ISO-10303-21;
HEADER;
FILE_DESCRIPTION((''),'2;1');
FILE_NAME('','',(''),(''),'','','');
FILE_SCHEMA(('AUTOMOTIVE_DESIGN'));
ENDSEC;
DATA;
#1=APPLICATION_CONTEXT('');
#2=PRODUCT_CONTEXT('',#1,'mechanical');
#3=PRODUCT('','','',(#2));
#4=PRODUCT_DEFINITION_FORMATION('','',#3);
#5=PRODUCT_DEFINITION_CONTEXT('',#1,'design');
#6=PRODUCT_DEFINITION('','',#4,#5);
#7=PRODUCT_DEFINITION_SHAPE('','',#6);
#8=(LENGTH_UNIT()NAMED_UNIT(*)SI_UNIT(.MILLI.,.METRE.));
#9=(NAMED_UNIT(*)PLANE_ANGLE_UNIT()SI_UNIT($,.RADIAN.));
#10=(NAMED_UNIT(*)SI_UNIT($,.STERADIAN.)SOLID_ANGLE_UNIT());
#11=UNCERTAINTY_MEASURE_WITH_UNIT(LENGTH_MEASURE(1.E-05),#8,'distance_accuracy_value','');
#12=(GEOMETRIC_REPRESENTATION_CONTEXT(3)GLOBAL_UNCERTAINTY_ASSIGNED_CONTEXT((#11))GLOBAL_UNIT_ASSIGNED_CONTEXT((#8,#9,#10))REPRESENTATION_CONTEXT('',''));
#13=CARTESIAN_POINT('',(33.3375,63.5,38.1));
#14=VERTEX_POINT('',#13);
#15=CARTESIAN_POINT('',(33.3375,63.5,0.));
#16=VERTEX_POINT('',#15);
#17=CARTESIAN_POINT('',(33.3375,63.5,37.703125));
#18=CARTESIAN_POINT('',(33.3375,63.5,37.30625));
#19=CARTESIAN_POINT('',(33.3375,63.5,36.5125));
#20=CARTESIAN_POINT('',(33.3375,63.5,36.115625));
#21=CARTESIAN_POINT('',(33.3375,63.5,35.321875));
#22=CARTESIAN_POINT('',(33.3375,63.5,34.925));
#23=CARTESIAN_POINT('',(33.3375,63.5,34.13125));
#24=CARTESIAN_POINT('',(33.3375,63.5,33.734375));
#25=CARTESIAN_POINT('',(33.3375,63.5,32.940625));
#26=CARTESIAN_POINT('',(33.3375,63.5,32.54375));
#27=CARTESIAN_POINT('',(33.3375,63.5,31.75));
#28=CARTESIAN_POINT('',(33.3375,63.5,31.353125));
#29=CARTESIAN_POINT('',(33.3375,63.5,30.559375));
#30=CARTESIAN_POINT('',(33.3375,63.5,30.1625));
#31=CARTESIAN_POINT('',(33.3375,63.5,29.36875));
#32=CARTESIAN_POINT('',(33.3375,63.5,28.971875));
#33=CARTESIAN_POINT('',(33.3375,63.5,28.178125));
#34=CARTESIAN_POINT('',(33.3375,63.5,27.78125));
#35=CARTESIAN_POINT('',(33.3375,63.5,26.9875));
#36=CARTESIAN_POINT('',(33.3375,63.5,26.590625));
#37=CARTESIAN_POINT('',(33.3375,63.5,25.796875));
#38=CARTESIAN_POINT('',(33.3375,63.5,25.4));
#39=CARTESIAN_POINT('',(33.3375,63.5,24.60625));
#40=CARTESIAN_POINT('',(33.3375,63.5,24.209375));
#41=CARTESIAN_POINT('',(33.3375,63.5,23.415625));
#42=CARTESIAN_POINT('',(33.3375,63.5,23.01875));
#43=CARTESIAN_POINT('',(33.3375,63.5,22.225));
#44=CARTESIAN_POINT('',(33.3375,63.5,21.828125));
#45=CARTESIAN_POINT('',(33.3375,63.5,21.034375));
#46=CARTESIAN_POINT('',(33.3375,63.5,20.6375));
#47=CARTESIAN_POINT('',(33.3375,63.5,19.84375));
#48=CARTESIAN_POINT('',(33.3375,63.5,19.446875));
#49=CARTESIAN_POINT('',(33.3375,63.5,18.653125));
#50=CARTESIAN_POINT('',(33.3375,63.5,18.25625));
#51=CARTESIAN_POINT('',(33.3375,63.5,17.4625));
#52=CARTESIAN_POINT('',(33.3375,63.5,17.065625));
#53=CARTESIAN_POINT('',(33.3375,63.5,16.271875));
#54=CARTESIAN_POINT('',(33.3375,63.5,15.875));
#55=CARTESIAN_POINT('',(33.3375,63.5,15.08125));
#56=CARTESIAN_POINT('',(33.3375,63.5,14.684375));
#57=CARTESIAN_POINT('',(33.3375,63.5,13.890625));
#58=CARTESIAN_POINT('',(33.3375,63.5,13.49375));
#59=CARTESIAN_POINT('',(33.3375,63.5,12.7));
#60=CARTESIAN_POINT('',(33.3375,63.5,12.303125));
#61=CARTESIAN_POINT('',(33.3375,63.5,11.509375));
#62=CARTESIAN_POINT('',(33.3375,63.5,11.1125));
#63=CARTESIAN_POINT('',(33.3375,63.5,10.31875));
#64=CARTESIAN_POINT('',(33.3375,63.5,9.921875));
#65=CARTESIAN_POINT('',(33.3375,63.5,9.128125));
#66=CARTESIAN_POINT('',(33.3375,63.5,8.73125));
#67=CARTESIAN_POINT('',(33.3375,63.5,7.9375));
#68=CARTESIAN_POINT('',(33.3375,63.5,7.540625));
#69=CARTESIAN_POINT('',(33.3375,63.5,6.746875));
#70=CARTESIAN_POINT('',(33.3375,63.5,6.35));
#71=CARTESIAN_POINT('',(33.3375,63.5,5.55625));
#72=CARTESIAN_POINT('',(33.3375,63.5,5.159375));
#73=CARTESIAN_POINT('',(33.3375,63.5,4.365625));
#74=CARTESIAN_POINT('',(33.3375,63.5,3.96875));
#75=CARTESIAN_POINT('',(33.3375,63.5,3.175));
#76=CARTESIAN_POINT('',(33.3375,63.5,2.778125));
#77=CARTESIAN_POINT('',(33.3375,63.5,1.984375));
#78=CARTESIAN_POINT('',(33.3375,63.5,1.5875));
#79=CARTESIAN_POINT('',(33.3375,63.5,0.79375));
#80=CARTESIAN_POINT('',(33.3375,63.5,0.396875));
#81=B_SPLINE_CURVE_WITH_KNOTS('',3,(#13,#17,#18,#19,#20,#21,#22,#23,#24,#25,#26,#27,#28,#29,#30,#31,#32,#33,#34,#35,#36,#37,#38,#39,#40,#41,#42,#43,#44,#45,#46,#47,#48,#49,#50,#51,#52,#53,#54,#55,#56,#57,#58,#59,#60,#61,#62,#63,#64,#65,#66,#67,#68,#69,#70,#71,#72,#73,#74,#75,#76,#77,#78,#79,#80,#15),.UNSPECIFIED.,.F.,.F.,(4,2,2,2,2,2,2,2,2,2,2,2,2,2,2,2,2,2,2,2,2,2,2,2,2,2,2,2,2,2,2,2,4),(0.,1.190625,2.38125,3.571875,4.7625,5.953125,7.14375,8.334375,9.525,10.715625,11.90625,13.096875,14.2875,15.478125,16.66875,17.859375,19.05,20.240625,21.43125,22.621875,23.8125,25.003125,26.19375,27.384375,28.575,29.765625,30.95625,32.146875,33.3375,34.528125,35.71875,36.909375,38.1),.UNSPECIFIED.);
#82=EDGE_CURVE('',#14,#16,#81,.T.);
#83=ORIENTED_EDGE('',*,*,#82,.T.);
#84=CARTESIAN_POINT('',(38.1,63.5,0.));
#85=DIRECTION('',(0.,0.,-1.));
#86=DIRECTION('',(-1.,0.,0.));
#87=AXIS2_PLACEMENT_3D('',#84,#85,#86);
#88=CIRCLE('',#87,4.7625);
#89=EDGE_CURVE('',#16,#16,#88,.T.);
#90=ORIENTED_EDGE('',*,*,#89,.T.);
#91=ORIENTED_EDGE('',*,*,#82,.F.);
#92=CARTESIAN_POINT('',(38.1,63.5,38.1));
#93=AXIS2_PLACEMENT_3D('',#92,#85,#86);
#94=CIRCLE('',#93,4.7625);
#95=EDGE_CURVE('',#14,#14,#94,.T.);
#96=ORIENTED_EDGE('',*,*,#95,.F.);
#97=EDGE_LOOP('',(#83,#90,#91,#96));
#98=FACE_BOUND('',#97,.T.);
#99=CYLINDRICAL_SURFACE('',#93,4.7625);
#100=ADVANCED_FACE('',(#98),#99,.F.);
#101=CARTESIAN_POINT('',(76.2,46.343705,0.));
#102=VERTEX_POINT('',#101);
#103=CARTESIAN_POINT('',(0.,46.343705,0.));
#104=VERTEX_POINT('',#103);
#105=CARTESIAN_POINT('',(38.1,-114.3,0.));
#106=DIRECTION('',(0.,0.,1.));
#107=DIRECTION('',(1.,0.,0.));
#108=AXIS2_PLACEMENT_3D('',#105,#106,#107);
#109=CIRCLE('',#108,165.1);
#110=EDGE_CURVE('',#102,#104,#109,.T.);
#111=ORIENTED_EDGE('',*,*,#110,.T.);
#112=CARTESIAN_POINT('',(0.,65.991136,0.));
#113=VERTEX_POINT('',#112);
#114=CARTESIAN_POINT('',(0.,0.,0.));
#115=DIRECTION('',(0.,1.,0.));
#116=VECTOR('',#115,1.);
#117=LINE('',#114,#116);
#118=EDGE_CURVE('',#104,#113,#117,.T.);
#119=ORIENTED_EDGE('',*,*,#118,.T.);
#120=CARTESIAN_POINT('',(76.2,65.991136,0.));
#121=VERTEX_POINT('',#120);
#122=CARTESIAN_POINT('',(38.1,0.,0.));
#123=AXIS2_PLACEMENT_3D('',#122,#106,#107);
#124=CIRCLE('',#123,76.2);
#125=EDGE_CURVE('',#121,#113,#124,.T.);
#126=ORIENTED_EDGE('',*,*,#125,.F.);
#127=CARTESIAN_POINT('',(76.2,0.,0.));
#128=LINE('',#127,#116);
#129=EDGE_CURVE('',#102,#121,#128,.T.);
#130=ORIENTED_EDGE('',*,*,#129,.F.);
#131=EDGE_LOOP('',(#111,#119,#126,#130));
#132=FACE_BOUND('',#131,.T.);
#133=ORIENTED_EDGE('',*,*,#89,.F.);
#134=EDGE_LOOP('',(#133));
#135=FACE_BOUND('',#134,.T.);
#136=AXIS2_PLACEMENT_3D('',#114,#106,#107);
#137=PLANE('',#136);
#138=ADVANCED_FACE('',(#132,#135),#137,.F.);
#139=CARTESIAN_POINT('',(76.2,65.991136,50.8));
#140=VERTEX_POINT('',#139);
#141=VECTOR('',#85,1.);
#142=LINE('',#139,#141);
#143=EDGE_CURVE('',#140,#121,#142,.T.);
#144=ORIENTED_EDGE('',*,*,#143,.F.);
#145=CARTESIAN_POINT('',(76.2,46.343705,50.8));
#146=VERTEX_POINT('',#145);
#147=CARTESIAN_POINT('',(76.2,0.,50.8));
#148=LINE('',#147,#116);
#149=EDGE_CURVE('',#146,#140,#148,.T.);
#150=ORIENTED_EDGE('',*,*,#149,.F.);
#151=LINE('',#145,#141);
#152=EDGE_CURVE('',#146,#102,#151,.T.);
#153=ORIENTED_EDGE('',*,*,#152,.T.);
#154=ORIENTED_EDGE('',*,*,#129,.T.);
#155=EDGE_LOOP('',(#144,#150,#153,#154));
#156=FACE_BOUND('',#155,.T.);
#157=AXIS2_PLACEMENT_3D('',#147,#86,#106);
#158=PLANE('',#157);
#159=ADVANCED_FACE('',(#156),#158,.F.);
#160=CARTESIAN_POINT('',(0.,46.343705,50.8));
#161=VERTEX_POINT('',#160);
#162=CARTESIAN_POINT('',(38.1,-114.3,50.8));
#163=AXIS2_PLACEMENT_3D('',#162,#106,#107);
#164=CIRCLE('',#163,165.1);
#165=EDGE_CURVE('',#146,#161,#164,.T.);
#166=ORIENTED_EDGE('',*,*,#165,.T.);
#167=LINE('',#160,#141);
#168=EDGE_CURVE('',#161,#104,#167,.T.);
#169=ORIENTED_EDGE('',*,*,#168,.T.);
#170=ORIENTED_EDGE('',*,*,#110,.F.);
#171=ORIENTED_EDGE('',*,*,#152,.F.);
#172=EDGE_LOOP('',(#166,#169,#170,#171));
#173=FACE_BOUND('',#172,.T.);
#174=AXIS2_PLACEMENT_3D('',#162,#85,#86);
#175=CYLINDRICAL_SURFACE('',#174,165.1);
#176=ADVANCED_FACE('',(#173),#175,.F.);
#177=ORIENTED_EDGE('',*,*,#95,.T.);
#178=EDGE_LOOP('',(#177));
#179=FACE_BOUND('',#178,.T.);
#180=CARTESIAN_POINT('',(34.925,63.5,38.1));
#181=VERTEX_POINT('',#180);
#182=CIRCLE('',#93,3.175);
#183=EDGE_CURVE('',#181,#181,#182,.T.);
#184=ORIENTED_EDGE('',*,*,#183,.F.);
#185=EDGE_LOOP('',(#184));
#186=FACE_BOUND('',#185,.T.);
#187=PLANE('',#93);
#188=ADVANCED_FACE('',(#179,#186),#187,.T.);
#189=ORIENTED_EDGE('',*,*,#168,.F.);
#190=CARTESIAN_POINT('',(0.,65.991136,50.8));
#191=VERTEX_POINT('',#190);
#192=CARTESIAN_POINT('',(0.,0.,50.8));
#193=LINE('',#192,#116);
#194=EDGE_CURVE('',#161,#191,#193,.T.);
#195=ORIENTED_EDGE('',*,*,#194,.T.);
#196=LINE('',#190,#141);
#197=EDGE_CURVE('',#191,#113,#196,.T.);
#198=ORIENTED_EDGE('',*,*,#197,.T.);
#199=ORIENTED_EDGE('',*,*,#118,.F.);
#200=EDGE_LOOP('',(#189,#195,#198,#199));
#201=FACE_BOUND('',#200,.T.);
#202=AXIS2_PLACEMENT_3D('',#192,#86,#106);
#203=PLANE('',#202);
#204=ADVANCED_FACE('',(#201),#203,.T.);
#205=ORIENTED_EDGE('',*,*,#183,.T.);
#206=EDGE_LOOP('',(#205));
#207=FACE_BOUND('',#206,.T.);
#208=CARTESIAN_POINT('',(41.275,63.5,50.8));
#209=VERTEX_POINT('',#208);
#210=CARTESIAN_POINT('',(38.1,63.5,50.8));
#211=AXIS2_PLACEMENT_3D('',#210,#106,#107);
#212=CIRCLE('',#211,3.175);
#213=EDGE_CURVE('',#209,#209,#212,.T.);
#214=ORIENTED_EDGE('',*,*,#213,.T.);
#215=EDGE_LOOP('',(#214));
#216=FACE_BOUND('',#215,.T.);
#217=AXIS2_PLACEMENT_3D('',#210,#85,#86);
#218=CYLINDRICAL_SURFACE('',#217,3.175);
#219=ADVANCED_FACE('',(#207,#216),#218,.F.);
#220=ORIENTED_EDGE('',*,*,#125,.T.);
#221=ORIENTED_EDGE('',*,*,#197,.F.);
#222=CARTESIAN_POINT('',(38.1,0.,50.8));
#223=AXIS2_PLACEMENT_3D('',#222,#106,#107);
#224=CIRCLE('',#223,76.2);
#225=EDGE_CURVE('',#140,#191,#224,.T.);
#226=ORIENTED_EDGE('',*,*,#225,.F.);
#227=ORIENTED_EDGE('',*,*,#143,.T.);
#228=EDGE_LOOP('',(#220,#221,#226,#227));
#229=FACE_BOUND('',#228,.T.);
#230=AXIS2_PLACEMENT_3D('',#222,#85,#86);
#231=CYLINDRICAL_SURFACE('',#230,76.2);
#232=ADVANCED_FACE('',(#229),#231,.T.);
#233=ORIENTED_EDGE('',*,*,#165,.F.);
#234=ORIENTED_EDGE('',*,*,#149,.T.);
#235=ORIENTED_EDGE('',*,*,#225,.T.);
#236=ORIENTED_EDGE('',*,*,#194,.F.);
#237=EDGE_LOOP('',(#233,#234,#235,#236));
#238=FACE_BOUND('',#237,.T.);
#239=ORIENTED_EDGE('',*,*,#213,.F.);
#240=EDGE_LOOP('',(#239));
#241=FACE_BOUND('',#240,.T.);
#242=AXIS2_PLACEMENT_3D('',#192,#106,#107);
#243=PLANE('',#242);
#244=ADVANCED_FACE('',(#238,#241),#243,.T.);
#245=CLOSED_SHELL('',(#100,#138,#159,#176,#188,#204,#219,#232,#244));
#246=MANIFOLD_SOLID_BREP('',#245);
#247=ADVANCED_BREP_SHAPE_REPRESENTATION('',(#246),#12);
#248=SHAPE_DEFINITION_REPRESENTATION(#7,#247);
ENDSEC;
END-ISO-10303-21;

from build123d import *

# Parameters (mm, degrees)
SKETCH1_R           = 3.175
BOSS_EXTRUDE2_DEPTH = 50.8
SKETCH3_R           = 4.7625
CUT_EXTRUDE2_DEPTH  = 38.1


with BuildPart() as part:
    # Sketch1 → Boss-Extrude2 (new body)
    with BuildSketch(Plane.XY):
        with BuildLine():
            Line((0, 65.991135768), (0, 46.343705137))
            ThreePointArc((0, 46.343705137), (38.1, 50.8), (76.2, 46.343705137))
            Line((76.2, 46.343705137), (76.2, 65.991135768))
            ThreePointArc((76.2, 65.991135768), (38.1, 76.2), (0, 65.991135768))
        make_face()
        with Locations((38.1, 63.5)):
            Circle(SKETCH1_R, mode=Mode.SUBTRACT)
    extrude(amount=BOSS_EXTRUDE2_DEPTH)

    # Sketch3 → Cut-Extrude2 (cut)
    with BuildSketch(Plane(origin=(0, 0, 0), x_dir=(-1, 0, 0), z_dir=(0, 0, -1))):
        with Locations((-38.1, 63.5)):
            Circle(SKETCH3_R)
    extrude(amount=-CUT_EXTRUDE2_DEPTH, mode=Mode.SUBTRACT)


solid = part.part
